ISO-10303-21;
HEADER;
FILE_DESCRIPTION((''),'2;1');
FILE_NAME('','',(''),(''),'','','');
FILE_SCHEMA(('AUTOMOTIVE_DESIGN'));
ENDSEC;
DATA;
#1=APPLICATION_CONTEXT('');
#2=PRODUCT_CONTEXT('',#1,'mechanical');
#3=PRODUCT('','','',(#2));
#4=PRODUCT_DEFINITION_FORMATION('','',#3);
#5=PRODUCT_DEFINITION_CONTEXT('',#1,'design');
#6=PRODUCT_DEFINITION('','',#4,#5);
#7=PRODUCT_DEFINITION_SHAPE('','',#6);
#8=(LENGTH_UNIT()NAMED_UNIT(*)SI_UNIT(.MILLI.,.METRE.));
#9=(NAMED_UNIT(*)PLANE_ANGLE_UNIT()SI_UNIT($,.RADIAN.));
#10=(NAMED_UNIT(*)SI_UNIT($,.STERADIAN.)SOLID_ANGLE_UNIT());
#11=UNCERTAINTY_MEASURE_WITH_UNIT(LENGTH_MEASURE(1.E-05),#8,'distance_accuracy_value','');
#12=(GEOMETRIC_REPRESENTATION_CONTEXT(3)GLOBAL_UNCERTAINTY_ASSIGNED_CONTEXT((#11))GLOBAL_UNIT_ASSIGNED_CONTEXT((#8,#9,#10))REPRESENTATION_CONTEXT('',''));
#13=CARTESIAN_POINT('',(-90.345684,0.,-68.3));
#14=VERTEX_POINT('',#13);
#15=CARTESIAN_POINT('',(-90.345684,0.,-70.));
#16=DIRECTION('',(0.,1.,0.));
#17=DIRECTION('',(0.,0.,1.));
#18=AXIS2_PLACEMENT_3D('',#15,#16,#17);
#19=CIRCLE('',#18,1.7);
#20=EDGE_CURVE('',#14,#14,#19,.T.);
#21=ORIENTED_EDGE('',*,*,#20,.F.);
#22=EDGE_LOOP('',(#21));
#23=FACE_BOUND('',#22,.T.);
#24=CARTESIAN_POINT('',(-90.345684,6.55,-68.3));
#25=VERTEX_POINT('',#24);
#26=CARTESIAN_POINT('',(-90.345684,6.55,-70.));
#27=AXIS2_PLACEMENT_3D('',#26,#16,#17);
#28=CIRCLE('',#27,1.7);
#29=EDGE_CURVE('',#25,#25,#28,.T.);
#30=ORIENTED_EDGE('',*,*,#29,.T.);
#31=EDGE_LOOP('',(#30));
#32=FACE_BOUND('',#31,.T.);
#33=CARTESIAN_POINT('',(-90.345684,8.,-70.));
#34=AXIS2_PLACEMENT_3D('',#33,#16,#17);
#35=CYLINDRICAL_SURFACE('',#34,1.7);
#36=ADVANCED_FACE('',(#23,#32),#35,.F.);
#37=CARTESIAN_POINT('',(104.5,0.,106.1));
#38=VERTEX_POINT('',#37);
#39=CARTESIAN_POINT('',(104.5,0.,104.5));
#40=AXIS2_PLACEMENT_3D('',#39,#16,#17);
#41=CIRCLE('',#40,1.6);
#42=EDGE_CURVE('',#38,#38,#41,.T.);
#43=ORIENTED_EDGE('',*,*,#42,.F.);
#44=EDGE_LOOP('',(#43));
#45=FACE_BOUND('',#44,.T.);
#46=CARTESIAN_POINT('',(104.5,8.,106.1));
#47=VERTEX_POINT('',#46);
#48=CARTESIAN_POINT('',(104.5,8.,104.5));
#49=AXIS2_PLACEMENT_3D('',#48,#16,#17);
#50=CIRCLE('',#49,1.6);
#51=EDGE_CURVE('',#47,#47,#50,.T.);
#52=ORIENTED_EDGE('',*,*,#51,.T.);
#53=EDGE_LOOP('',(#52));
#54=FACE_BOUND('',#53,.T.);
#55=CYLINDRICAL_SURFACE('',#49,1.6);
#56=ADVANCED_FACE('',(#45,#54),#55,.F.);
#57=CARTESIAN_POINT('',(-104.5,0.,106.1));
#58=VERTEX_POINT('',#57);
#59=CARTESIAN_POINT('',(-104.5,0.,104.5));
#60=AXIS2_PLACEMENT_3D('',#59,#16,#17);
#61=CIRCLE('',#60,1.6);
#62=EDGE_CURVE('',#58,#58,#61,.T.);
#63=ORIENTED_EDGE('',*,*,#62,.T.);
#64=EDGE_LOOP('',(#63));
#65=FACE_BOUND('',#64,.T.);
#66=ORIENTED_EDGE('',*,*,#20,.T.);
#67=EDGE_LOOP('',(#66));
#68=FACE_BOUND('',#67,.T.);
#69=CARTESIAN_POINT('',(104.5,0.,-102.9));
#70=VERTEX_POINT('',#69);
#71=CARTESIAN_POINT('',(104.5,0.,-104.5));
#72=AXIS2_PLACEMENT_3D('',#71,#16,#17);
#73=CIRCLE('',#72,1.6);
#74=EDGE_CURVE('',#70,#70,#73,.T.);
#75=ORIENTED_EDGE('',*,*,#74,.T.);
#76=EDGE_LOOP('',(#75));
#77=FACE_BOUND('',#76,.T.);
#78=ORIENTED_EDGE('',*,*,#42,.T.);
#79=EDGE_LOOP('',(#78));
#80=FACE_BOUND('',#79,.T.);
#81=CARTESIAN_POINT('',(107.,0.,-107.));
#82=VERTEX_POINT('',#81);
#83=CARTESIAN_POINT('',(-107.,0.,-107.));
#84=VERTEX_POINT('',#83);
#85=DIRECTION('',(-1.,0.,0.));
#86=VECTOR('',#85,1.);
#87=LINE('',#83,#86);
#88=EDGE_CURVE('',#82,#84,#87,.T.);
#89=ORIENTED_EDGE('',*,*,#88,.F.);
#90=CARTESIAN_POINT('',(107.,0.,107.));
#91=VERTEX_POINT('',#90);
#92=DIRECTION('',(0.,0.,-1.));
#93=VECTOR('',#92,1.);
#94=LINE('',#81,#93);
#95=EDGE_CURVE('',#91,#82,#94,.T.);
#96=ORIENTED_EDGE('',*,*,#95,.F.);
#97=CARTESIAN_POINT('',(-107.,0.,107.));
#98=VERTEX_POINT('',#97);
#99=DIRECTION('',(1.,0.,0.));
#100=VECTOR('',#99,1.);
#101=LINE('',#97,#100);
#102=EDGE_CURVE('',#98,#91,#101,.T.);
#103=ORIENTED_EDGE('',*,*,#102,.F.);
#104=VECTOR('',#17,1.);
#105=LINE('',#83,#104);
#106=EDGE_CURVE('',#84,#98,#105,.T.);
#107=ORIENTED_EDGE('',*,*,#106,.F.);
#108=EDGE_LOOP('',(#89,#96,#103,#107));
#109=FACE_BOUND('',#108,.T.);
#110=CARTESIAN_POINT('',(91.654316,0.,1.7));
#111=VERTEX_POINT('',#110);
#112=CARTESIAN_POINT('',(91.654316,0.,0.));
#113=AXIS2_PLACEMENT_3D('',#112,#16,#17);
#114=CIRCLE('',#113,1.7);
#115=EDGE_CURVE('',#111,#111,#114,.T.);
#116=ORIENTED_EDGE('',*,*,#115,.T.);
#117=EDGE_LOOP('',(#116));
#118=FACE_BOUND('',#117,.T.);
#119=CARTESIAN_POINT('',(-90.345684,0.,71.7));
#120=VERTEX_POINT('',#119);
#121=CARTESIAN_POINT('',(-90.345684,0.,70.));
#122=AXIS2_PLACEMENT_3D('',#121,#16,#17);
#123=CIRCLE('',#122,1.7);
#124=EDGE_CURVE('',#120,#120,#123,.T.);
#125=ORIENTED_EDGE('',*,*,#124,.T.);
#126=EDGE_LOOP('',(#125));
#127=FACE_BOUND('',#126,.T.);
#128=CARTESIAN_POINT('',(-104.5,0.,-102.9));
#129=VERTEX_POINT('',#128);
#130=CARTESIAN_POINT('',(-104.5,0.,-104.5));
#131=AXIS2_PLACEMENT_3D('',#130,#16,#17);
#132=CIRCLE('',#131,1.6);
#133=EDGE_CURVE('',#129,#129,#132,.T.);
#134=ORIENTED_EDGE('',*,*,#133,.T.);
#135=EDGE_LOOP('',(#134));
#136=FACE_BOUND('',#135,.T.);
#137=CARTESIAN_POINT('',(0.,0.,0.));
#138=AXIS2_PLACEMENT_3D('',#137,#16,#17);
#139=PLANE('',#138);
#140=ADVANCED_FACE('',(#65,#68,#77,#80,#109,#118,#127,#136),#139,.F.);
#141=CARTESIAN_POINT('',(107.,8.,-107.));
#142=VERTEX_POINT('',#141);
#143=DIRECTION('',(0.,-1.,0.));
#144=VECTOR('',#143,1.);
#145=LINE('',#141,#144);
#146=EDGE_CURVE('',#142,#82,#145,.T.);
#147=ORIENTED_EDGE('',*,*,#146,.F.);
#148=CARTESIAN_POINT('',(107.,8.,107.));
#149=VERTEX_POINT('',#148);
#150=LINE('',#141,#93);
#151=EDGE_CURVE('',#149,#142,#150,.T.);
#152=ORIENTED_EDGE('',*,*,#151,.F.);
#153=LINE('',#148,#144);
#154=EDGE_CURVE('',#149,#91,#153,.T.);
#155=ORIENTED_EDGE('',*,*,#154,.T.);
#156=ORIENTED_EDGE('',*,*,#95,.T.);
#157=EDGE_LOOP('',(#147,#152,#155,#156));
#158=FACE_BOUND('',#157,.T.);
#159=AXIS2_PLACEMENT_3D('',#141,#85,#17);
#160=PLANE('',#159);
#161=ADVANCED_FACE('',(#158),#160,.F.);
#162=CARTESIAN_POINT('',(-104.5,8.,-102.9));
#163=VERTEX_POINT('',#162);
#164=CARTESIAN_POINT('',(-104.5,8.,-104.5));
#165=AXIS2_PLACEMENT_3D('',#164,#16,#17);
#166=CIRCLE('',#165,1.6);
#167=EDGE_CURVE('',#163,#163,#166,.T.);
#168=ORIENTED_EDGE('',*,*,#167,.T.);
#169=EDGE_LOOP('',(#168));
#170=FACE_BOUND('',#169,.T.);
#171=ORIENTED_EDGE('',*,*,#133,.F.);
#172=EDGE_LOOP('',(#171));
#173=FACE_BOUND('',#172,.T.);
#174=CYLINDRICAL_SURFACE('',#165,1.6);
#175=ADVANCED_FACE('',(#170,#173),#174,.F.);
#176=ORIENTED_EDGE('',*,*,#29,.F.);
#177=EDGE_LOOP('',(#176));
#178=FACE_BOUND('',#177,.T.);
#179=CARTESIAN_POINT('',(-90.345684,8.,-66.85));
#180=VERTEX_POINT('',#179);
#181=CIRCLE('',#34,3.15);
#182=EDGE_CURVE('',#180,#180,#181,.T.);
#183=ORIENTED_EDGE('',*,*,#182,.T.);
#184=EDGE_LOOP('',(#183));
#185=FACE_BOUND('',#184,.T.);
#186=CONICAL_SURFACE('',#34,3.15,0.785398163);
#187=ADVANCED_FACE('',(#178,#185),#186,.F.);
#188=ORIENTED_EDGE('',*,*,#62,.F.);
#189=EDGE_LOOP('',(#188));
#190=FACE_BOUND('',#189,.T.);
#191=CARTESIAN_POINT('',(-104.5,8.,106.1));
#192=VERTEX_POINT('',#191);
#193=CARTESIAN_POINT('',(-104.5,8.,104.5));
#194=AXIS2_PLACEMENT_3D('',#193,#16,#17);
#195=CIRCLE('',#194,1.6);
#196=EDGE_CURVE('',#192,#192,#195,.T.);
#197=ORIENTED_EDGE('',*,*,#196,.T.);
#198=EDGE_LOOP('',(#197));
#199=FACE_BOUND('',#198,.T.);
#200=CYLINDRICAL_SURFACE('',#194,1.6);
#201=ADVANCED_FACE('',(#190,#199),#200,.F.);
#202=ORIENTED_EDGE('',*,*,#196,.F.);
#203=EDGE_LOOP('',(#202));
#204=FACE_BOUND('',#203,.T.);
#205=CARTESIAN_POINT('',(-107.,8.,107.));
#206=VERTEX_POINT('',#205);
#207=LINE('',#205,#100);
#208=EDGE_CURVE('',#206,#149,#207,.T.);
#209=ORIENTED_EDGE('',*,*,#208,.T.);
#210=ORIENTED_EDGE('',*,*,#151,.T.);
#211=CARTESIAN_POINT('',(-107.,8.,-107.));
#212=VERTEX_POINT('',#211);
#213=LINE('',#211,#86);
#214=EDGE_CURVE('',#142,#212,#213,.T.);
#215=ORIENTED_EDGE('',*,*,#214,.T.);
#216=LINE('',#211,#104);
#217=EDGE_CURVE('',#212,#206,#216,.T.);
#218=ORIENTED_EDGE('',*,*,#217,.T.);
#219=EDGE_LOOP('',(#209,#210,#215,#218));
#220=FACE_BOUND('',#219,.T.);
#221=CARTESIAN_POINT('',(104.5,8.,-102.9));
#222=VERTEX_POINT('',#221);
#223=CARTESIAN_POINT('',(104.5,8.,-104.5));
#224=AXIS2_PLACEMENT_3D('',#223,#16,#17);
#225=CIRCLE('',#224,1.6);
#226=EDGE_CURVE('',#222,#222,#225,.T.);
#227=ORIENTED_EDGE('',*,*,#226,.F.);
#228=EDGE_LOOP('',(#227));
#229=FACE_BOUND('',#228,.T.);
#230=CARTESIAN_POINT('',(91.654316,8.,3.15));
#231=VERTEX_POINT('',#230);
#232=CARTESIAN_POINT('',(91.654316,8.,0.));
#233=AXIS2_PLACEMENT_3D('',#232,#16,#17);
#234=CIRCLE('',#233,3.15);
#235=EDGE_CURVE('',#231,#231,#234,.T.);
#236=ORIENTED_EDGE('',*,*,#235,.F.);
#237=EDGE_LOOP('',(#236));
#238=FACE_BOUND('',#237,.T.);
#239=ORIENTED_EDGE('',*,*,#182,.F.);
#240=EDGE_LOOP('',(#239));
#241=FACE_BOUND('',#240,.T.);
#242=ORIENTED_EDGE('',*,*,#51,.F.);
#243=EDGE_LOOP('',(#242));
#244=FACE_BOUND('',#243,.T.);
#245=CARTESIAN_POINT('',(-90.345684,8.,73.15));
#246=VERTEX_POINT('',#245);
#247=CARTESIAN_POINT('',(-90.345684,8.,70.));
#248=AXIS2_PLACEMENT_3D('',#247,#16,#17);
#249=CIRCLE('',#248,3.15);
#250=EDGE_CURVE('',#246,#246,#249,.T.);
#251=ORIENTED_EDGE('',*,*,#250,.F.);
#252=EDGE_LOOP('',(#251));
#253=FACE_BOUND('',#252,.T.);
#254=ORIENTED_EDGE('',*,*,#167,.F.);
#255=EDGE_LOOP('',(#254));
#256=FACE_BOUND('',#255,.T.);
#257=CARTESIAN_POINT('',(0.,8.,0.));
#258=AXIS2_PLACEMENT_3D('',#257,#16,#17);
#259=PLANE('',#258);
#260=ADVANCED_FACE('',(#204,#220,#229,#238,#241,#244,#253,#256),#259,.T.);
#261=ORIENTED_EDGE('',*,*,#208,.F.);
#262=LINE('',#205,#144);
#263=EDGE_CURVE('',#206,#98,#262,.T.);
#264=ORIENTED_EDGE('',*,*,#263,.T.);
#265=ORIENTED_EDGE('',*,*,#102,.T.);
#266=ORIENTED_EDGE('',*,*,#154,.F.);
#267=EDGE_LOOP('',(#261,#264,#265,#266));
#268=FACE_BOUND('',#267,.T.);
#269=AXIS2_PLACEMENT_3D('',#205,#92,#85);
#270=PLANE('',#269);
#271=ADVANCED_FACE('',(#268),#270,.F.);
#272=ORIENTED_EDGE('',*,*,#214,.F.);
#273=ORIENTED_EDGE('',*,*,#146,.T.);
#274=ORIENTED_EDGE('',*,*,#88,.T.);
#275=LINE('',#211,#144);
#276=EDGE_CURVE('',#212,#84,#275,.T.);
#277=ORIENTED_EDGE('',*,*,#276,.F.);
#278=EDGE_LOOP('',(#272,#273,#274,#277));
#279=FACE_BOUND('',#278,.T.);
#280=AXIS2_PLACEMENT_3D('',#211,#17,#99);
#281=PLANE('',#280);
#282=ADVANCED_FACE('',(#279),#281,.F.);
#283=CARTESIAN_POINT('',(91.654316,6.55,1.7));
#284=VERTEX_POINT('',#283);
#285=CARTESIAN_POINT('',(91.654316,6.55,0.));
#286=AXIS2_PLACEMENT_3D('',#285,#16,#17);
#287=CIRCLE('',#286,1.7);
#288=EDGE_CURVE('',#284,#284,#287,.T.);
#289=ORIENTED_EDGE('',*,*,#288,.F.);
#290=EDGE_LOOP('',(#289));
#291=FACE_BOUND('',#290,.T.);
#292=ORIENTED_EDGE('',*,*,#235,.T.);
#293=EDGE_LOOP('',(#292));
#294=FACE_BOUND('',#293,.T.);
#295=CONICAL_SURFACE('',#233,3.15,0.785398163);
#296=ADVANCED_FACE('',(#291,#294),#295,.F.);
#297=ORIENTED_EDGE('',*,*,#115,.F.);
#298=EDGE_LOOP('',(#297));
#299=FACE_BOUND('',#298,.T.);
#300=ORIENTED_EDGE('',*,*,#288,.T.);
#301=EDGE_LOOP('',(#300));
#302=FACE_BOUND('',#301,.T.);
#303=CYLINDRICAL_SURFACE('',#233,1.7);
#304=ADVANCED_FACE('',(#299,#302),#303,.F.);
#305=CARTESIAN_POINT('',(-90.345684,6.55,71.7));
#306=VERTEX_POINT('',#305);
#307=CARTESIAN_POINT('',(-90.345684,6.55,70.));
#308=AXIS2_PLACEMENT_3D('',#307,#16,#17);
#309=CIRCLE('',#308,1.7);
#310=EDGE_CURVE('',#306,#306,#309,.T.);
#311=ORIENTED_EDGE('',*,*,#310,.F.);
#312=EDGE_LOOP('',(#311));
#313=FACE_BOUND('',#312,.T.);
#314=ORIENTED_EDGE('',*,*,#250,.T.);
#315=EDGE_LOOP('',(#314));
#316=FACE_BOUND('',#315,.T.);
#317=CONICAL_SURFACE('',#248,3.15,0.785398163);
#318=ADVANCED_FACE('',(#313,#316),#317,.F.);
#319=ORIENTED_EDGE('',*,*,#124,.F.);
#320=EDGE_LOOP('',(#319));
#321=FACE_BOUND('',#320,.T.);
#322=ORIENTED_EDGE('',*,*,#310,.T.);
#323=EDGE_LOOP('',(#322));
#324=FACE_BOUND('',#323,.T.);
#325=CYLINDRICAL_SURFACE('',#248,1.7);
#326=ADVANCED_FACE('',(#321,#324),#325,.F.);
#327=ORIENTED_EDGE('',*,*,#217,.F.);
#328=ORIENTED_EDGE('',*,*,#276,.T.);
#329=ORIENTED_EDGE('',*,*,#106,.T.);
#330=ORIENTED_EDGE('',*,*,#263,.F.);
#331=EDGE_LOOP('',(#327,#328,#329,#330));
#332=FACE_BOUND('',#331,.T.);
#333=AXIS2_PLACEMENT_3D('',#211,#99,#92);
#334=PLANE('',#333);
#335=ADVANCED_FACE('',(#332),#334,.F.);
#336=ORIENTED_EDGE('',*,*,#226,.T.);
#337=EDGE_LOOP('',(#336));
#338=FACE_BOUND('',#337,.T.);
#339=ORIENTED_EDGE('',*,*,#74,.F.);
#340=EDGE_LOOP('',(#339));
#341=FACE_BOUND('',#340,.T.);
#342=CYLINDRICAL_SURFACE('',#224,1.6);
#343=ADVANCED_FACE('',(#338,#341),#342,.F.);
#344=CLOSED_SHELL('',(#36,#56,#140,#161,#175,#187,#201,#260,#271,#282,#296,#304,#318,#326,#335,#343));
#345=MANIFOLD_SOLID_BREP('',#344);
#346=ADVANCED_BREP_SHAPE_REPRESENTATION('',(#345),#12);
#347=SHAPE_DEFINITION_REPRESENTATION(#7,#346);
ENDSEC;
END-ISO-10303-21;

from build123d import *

# Parameters (mm, degrees)
ESQUISSE1_W                                    = 214
ESQUISSE1_H                                    = 214
BOSS_EXTRU_1_DEPTH                             = 8
D_GAGEMENT_M31_D                               = 3.2
FRAISAGE_POUR_VIS_T_TE_FRAIS_E_M31_D           = 3.4
FRAISAGE_POUR_VIS_T_TE_FRAIS_E_M31_CSINK_D     = 6.3
FRAISAGE_POUR_VIS_T_TE_FRAIS_E_M31_CSINK_ANGLE = 90


with BuildPart() as part:
    # Esquisse1 → Boss.-Extru.1 (new body)
    with BuildSketch(Plane(origin=(0, 0, 0), x_dir=(1, 0, 0), z_dir=(0, 1, 0))):
        Rectangle(ESQUISSE1_W, ESQUISSE1_H)
    extrude(amount=BOSS_EXTRU_1_DEPTH)

    # Dégagement M31 (through all)
    with Locations(Plane(origin=(0, 8, 0), x_dir=(1, 0, 0), z_dir=(0, 1, 0))):
        with Locations((-104.5, -104.5), (-104.5, 104.5), (104.5, 104.5), (104.5, -104.5)):
            Hole(D_GAGEMENT_M31_D / 2)

    # Fraisage pour vis à tête fraisée M31 (through all)
    with Locations(Plane(origin=(0, 8, 0), x_dir=(1, 0, 0), z_dir=(0, 1, 0))):
        with Locations((-90.345684211, 70), (-90.345684211, -70), (91.65431579, 0)):
            CounterSinkHole(FRAISAGE_POUR_VIS_T_TE_FRAIS_E_M31_D / 2, FRAISAGE_POUR_VIS_T_TE_FRAIS_E_M31_CSINK_D / 2, counter_sink_angle=FRAISAGE_POUR_VIS_T_TE_FRAIS_E_M31_CSINK_ANGLE)


solid = part.part
